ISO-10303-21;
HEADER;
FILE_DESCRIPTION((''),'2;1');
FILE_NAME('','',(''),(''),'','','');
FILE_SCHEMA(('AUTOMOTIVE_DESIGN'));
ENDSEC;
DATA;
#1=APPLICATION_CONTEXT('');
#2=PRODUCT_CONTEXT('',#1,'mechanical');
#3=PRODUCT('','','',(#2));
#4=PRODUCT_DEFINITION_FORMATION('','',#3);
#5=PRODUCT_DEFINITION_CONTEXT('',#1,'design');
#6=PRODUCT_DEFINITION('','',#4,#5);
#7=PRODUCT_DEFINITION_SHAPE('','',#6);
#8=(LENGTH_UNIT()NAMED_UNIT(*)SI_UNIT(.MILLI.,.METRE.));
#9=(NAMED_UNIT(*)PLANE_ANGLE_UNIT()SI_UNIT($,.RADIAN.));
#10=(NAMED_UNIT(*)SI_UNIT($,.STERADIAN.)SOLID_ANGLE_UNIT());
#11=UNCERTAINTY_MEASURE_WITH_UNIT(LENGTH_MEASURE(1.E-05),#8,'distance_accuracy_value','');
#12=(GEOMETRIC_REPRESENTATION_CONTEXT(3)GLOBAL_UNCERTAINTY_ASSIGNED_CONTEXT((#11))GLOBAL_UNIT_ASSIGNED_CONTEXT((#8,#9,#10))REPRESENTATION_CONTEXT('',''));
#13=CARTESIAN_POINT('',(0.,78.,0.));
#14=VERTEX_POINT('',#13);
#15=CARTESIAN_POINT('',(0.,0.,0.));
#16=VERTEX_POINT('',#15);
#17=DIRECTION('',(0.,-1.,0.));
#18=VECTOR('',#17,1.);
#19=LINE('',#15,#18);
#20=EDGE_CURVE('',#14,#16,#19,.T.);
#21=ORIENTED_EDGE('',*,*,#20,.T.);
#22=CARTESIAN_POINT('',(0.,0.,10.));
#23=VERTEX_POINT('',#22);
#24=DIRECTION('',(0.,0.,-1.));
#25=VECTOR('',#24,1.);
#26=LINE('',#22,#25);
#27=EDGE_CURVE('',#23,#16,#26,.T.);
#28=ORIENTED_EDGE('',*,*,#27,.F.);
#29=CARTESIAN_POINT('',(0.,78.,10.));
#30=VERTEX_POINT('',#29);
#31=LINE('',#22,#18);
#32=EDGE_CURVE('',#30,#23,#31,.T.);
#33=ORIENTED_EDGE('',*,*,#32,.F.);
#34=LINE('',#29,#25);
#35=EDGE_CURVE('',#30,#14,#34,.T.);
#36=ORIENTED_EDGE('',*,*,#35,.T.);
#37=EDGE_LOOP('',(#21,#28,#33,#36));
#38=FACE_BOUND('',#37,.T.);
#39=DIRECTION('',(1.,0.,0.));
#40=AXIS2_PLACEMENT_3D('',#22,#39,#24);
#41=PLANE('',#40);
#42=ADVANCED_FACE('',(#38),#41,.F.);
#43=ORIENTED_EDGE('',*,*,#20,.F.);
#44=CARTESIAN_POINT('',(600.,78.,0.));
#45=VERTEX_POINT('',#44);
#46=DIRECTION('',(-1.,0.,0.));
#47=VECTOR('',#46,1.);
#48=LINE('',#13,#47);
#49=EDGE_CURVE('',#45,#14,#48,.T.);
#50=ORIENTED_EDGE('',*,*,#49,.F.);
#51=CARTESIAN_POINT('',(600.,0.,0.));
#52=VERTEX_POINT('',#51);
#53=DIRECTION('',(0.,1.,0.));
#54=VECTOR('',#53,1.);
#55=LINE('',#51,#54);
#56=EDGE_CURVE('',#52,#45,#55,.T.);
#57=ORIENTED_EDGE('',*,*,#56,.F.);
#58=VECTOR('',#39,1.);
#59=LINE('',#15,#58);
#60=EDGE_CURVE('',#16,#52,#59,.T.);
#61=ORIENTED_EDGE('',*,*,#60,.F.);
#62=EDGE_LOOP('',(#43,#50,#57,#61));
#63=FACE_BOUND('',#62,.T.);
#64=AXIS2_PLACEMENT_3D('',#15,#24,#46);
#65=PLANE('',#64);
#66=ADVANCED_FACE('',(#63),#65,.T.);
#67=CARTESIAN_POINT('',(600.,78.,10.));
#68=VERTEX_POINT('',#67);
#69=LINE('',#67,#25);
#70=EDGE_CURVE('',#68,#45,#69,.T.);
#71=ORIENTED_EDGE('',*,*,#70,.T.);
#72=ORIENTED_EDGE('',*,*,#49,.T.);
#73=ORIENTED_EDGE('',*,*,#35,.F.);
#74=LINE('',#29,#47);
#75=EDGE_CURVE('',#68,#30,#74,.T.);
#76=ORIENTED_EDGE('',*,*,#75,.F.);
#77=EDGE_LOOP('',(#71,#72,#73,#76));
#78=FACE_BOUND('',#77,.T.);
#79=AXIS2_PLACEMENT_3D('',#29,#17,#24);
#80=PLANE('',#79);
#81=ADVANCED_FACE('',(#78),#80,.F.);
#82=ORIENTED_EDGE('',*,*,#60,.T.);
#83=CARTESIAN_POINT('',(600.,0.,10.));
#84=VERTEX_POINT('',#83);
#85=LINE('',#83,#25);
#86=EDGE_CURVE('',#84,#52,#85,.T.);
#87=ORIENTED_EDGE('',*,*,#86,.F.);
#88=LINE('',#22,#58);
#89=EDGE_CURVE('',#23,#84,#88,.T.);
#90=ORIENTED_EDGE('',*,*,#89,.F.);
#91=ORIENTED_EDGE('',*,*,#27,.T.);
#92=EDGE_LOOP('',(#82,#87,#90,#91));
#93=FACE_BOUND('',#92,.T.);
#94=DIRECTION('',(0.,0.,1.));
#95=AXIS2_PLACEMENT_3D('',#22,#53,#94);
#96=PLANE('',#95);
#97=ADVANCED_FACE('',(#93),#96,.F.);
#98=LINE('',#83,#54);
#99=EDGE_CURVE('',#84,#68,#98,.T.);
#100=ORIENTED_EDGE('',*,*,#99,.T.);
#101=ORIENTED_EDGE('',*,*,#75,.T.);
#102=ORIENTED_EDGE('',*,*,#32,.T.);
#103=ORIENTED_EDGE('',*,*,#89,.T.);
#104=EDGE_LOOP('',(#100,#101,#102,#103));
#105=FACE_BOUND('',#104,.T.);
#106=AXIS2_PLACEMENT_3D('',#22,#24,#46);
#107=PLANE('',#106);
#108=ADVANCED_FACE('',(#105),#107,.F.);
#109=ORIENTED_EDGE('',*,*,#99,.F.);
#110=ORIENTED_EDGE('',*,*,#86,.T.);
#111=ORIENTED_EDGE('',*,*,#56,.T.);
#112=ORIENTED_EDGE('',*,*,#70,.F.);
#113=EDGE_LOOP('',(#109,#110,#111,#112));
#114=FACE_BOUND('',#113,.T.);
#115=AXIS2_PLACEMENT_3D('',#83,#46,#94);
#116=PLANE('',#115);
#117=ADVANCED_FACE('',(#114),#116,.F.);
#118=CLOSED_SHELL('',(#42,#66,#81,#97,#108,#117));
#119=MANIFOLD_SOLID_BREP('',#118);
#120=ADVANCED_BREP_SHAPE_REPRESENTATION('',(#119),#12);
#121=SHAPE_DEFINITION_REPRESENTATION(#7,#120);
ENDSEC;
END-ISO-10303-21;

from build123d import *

# Parameters (mm, degrees)
ESQUISSE1_W        = 600
ESQUISSE1_H        = 78
BOSS_EXTRU_1_DEPTH = 10


with BuildPart() as part:
    # Esquisse1 → Boss.-Extru.1 (new body)
    with BuildSketch(Plane.XY):
        with Locations((300, 39)):
            Rectangle(ESQUISSE1_W, ESQUISSE1_H)
    extrude(amount=BOSS_EXTRU_1_DEPTH)


solid = part.part
